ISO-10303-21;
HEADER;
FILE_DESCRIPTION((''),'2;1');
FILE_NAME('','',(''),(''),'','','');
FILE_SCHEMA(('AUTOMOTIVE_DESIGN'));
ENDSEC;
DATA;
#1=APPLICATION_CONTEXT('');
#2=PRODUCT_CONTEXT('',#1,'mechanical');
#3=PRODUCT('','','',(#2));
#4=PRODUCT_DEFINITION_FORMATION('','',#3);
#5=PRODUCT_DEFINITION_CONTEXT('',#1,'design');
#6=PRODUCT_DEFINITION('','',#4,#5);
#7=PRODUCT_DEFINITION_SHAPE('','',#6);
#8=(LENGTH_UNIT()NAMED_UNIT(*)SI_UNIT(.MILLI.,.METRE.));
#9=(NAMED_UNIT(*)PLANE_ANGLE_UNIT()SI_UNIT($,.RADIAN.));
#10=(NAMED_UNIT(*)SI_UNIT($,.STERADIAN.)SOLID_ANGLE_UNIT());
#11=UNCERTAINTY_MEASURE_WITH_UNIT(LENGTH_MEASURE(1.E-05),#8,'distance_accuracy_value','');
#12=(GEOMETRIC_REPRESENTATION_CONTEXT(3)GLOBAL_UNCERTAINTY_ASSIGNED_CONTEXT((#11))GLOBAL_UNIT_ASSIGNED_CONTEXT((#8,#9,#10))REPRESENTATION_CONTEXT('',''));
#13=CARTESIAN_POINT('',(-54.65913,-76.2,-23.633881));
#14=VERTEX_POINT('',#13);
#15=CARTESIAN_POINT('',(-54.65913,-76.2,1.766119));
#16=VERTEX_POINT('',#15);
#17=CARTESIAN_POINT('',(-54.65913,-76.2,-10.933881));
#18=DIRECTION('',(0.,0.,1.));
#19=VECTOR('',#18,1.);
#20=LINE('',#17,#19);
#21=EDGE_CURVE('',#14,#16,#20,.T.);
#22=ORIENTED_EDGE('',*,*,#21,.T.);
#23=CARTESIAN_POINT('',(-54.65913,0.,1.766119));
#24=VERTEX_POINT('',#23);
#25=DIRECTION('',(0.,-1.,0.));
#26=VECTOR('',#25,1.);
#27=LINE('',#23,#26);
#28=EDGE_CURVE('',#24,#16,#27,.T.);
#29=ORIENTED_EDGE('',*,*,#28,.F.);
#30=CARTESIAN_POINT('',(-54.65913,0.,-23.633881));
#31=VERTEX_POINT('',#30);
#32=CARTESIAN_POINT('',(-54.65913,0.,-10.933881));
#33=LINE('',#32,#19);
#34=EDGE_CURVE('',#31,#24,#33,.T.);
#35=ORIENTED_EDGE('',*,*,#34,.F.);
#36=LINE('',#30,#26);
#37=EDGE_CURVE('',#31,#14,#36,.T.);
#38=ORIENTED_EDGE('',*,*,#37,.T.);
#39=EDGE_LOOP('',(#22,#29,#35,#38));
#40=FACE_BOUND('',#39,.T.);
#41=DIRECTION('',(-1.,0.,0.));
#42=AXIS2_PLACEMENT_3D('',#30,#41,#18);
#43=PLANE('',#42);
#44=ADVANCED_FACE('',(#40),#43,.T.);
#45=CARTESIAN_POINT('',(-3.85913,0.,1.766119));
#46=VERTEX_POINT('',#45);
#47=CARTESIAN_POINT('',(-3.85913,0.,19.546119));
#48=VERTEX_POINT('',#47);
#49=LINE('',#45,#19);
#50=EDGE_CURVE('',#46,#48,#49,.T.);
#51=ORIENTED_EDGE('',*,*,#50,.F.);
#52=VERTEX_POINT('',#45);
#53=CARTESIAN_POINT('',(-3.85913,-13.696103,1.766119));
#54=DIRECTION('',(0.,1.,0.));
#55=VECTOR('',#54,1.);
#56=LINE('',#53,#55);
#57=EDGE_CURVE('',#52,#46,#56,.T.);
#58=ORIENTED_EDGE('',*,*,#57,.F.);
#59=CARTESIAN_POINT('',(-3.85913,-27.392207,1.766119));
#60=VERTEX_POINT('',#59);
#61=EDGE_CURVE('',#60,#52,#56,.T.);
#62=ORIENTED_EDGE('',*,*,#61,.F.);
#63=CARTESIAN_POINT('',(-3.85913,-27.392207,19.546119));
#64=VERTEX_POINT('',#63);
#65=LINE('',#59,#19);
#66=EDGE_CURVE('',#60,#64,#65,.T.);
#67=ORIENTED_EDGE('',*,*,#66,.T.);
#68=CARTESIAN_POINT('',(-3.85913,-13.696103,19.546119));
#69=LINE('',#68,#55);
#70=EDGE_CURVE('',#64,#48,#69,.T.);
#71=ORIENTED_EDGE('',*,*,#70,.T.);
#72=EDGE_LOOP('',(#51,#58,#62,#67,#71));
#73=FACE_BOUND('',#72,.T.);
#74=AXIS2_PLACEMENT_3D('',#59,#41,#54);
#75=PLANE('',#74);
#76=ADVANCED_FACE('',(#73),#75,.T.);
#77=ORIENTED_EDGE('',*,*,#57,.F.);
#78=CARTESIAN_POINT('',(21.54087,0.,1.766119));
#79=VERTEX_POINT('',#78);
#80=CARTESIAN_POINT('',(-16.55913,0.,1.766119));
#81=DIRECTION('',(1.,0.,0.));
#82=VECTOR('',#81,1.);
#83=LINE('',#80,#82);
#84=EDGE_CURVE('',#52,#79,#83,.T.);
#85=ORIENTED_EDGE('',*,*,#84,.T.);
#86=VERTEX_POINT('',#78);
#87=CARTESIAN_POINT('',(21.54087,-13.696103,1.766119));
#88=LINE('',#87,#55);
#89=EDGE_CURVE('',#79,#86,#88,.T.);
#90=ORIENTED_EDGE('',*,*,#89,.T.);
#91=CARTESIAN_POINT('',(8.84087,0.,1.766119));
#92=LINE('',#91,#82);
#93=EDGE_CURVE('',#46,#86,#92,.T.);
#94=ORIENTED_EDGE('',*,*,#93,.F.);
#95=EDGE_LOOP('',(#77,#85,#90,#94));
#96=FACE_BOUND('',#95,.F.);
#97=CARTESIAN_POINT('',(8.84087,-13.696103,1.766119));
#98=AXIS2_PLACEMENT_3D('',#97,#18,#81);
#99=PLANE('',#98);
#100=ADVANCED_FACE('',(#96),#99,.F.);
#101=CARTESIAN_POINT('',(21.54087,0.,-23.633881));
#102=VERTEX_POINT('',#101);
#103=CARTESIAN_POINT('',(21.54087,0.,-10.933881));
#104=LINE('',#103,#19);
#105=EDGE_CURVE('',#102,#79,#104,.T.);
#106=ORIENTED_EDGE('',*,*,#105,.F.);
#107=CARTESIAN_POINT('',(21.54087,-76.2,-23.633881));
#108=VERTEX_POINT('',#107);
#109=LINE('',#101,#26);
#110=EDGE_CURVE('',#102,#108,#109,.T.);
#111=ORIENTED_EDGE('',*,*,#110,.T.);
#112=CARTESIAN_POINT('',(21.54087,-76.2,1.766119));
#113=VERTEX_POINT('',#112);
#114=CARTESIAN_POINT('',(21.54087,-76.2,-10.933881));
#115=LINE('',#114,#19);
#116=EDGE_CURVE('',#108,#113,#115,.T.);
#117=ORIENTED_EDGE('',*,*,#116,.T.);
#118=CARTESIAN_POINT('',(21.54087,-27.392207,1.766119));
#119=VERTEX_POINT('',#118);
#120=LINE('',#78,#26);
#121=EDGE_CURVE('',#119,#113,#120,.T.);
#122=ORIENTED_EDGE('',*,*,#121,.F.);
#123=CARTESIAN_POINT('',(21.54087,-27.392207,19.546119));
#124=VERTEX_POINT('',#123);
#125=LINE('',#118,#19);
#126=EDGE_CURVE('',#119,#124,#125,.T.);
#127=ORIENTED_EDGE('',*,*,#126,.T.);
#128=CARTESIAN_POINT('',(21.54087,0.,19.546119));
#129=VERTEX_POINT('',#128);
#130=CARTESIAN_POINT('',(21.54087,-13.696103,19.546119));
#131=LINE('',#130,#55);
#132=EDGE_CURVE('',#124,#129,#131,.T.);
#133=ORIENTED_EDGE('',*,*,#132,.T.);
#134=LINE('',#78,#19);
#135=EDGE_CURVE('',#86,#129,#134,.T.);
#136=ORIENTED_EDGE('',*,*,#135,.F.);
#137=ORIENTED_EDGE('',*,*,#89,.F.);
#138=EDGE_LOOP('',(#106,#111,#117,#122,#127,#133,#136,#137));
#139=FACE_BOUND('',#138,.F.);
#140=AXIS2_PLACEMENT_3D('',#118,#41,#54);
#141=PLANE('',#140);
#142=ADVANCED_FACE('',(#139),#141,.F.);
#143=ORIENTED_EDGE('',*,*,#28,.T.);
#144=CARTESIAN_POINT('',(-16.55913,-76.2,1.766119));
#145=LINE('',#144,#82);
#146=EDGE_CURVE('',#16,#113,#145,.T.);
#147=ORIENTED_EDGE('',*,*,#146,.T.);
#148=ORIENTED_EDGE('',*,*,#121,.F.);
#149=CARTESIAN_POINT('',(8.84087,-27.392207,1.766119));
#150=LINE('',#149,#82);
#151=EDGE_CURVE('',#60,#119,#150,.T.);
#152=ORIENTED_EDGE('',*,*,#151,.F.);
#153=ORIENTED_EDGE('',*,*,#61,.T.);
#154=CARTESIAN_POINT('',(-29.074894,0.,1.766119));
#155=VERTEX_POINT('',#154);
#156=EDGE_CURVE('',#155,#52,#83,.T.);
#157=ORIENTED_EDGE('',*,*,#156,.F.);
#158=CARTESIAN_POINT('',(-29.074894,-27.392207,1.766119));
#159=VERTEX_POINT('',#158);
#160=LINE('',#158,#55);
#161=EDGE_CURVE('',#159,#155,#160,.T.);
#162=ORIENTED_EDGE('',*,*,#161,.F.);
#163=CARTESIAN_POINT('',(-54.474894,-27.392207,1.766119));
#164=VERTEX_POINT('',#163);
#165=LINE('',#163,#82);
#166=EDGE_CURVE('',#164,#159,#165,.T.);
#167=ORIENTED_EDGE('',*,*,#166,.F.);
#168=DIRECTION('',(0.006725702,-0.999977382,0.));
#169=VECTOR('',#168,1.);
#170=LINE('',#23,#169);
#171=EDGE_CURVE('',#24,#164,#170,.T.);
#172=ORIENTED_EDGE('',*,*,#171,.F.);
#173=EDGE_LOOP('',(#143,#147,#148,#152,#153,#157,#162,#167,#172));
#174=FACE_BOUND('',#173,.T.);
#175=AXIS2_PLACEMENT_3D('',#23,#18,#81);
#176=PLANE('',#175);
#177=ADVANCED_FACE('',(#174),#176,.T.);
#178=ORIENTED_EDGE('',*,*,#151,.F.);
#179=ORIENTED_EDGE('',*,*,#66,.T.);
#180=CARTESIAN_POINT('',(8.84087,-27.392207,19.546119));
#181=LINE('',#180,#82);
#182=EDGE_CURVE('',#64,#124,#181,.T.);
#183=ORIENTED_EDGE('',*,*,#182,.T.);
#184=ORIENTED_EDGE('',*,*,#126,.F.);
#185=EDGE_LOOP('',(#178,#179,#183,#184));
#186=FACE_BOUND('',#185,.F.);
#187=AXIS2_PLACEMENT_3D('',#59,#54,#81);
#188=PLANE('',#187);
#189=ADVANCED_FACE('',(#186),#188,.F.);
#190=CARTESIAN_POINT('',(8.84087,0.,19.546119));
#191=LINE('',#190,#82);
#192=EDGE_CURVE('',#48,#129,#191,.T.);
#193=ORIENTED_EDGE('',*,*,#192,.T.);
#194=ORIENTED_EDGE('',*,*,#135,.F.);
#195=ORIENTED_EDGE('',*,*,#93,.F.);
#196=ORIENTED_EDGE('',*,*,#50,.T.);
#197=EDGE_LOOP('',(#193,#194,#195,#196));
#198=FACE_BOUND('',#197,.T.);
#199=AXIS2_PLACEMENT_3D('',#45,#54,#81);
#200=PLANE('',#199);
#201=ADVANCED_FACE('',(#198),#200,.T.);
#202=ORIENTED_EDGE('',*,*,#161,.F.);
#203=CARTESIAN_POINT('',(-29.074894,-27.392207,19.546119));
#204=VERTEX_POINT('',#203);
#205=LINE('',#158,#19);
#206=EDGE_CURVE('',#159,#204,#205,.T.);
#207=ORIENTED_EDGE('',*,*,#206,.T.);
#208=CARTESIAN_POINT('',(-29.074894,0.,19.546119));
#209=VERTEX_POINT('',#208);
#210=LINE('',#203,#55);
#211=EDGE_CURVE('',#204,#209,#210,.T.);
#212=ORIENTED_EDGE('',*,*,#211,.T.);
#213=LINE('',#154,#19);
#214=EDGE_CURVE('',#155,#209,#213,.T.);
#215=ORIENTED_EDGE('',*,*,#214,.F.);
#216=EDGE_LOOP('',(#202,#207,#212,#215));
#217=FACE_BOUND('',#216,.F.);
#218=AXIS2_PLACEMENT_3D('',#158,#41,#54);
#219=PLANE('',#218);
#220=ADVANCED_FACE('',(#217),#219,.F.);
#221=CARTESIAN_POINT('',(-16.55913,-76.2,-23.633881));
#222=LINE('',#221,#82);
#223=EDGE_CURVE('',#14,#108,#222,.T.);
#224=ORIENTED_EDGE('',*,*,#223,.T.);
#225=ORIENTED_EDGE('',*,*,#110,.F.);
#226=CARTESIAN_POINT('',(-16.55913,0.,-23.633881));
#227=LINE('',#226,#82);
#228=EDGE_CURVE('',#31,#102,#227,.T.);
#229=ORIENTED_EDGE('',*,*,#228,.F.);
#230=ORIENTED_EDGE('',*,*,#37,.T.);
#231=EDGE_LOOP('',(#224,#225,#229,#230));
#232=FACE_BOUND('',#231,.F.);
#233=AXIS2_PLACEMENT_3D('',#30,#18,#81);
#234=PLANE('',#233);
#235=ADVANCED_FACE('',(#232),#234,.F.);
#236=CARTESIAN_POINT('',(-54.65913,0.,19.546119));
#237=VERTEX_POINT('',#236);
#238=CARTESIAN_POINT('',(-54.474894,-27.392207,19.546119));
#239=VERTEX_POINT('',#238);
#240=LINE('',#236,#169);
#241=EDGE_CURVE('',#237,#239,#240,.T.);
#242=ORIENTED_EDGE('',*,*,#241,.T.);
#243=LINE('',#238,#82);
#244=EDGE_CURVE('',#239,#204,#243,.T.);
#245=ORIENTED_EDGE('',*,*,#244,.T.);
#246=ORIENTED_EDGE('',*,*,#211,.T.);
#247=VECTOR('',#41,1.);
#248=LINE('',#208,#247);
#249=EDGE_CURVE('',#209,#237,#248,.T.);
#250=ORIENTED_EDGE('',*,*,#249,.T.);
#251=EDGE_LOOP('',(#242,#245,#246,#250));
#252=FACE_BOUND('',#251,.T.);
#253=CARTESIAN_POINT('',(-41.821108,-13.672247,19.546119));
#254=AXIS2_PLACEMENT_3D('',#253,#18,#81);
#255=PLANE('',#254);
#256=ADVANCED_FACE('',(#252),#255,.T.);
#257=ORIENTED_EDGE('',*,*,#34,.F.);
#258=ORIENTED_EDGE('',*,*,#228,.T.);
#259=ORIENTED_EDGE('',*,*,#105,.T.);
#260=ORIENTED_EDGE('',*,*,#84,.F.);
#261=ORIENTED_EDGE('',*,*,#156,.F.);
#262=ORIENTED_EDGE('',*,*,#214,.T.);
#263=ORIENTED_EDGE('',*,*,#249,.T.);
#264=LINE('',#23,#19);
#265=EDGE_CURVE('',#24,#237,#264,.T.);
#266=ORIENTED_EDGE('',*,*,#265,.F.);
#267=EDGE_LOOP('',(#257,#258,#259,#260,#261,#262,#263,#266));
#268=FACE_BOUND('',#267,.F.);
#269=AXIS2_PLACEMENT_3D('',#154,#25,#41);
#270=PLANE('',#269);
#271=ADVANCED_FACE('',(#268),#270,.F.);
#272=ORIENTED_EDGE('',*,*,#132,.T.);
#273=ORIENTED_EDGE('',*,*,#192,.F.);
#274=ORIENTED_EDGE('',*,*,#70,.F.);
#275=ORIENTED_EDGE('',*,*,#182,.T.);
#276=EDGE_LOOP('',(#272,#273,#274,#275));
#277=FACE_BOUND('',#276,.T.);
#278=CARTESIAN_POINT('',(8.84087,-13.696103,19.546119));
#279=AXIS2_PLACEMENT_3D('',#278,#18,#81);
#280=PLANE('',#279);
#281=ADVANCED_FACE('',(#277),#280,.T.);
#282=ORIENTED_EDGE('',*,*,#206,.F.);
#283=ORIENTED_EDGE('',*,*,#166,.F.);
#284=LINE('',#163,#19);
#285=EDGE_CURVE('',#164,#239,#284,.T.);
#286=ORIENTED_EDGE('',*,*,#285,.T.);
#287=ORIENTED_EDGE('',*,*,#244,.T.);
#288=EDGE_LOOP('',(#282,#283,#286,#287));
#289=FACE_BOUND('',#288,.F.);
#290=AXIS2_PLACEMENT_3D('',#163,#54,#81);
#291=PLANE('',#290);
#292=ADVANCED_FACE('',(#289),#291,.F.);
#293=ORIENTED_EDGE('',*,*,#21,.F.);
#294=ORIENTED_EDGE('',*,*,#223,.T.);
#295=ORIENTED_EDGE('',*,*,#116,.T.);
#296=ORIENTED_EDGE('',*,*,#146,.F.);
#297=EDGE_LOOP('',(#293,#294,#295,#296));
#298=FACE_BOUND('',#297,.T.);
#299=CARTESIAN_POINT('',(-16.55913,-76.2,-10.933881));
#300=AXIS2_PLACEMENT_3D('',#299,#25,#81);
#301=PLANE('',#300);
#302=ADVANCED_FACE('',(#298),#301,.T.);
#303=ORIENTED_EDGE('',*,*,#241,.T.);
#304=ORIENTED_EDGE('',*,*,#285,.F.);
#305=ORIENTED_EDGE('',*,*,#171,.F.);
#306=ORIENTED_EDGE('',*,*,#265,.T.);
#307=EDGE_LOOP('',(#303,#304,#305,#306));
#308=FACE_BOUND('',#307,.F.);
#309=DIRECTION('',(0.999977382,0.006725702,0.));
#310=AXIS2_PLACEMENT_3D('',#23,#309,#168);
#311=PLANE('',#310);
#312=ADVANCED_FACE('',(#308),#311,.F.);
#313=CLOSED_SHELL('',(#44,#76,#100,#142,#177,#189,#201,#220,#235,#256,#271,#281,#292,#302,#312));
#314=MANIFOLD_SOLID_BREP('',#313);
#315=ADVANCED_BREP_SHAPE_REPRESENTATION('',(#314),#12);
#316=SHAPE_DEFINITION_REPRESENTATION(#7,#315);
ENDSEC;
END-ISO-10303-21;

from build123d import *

# Parameters (mm, degrees)
F0_W     = 76.2
F0_H     = 25.4
F1_DEPTH = 76.2
F3_DEPTH = 17.78
F4_W     = 25.4
F4_H     = 27.392207
F5_DEPTH = 17.78


with BuildPart() as f1:
    # F0 (on Front) → F1 (new body)
    with BuildSketch(Plane.XZ):
        with Locations((-16.55913, -10.933881)):
            Rectangle(F0_W, F0_H)
    extrude(amount=F1_DEPTH)

    # F2 (on face) → F3 (join)
    with BuildSketch(Plane.XY.offset(1.766119)):
        Polygon((-54.65913, 0), (-54.474894, -27.392207), (-29.074894, -27.392207), (-29.074894, 0), align=None)
    extrude(amount=F3_DEPTH)

    # F4 (on face) → F5 (join)
    with BuildSketch(Plane.XY.offset(1.766119)):
        with Locations((8.84087, -13.696103)):
            Rectangle(F4_W, F4_H)
    extrude(amount=F5_DEPTH)


solid = f1.part
